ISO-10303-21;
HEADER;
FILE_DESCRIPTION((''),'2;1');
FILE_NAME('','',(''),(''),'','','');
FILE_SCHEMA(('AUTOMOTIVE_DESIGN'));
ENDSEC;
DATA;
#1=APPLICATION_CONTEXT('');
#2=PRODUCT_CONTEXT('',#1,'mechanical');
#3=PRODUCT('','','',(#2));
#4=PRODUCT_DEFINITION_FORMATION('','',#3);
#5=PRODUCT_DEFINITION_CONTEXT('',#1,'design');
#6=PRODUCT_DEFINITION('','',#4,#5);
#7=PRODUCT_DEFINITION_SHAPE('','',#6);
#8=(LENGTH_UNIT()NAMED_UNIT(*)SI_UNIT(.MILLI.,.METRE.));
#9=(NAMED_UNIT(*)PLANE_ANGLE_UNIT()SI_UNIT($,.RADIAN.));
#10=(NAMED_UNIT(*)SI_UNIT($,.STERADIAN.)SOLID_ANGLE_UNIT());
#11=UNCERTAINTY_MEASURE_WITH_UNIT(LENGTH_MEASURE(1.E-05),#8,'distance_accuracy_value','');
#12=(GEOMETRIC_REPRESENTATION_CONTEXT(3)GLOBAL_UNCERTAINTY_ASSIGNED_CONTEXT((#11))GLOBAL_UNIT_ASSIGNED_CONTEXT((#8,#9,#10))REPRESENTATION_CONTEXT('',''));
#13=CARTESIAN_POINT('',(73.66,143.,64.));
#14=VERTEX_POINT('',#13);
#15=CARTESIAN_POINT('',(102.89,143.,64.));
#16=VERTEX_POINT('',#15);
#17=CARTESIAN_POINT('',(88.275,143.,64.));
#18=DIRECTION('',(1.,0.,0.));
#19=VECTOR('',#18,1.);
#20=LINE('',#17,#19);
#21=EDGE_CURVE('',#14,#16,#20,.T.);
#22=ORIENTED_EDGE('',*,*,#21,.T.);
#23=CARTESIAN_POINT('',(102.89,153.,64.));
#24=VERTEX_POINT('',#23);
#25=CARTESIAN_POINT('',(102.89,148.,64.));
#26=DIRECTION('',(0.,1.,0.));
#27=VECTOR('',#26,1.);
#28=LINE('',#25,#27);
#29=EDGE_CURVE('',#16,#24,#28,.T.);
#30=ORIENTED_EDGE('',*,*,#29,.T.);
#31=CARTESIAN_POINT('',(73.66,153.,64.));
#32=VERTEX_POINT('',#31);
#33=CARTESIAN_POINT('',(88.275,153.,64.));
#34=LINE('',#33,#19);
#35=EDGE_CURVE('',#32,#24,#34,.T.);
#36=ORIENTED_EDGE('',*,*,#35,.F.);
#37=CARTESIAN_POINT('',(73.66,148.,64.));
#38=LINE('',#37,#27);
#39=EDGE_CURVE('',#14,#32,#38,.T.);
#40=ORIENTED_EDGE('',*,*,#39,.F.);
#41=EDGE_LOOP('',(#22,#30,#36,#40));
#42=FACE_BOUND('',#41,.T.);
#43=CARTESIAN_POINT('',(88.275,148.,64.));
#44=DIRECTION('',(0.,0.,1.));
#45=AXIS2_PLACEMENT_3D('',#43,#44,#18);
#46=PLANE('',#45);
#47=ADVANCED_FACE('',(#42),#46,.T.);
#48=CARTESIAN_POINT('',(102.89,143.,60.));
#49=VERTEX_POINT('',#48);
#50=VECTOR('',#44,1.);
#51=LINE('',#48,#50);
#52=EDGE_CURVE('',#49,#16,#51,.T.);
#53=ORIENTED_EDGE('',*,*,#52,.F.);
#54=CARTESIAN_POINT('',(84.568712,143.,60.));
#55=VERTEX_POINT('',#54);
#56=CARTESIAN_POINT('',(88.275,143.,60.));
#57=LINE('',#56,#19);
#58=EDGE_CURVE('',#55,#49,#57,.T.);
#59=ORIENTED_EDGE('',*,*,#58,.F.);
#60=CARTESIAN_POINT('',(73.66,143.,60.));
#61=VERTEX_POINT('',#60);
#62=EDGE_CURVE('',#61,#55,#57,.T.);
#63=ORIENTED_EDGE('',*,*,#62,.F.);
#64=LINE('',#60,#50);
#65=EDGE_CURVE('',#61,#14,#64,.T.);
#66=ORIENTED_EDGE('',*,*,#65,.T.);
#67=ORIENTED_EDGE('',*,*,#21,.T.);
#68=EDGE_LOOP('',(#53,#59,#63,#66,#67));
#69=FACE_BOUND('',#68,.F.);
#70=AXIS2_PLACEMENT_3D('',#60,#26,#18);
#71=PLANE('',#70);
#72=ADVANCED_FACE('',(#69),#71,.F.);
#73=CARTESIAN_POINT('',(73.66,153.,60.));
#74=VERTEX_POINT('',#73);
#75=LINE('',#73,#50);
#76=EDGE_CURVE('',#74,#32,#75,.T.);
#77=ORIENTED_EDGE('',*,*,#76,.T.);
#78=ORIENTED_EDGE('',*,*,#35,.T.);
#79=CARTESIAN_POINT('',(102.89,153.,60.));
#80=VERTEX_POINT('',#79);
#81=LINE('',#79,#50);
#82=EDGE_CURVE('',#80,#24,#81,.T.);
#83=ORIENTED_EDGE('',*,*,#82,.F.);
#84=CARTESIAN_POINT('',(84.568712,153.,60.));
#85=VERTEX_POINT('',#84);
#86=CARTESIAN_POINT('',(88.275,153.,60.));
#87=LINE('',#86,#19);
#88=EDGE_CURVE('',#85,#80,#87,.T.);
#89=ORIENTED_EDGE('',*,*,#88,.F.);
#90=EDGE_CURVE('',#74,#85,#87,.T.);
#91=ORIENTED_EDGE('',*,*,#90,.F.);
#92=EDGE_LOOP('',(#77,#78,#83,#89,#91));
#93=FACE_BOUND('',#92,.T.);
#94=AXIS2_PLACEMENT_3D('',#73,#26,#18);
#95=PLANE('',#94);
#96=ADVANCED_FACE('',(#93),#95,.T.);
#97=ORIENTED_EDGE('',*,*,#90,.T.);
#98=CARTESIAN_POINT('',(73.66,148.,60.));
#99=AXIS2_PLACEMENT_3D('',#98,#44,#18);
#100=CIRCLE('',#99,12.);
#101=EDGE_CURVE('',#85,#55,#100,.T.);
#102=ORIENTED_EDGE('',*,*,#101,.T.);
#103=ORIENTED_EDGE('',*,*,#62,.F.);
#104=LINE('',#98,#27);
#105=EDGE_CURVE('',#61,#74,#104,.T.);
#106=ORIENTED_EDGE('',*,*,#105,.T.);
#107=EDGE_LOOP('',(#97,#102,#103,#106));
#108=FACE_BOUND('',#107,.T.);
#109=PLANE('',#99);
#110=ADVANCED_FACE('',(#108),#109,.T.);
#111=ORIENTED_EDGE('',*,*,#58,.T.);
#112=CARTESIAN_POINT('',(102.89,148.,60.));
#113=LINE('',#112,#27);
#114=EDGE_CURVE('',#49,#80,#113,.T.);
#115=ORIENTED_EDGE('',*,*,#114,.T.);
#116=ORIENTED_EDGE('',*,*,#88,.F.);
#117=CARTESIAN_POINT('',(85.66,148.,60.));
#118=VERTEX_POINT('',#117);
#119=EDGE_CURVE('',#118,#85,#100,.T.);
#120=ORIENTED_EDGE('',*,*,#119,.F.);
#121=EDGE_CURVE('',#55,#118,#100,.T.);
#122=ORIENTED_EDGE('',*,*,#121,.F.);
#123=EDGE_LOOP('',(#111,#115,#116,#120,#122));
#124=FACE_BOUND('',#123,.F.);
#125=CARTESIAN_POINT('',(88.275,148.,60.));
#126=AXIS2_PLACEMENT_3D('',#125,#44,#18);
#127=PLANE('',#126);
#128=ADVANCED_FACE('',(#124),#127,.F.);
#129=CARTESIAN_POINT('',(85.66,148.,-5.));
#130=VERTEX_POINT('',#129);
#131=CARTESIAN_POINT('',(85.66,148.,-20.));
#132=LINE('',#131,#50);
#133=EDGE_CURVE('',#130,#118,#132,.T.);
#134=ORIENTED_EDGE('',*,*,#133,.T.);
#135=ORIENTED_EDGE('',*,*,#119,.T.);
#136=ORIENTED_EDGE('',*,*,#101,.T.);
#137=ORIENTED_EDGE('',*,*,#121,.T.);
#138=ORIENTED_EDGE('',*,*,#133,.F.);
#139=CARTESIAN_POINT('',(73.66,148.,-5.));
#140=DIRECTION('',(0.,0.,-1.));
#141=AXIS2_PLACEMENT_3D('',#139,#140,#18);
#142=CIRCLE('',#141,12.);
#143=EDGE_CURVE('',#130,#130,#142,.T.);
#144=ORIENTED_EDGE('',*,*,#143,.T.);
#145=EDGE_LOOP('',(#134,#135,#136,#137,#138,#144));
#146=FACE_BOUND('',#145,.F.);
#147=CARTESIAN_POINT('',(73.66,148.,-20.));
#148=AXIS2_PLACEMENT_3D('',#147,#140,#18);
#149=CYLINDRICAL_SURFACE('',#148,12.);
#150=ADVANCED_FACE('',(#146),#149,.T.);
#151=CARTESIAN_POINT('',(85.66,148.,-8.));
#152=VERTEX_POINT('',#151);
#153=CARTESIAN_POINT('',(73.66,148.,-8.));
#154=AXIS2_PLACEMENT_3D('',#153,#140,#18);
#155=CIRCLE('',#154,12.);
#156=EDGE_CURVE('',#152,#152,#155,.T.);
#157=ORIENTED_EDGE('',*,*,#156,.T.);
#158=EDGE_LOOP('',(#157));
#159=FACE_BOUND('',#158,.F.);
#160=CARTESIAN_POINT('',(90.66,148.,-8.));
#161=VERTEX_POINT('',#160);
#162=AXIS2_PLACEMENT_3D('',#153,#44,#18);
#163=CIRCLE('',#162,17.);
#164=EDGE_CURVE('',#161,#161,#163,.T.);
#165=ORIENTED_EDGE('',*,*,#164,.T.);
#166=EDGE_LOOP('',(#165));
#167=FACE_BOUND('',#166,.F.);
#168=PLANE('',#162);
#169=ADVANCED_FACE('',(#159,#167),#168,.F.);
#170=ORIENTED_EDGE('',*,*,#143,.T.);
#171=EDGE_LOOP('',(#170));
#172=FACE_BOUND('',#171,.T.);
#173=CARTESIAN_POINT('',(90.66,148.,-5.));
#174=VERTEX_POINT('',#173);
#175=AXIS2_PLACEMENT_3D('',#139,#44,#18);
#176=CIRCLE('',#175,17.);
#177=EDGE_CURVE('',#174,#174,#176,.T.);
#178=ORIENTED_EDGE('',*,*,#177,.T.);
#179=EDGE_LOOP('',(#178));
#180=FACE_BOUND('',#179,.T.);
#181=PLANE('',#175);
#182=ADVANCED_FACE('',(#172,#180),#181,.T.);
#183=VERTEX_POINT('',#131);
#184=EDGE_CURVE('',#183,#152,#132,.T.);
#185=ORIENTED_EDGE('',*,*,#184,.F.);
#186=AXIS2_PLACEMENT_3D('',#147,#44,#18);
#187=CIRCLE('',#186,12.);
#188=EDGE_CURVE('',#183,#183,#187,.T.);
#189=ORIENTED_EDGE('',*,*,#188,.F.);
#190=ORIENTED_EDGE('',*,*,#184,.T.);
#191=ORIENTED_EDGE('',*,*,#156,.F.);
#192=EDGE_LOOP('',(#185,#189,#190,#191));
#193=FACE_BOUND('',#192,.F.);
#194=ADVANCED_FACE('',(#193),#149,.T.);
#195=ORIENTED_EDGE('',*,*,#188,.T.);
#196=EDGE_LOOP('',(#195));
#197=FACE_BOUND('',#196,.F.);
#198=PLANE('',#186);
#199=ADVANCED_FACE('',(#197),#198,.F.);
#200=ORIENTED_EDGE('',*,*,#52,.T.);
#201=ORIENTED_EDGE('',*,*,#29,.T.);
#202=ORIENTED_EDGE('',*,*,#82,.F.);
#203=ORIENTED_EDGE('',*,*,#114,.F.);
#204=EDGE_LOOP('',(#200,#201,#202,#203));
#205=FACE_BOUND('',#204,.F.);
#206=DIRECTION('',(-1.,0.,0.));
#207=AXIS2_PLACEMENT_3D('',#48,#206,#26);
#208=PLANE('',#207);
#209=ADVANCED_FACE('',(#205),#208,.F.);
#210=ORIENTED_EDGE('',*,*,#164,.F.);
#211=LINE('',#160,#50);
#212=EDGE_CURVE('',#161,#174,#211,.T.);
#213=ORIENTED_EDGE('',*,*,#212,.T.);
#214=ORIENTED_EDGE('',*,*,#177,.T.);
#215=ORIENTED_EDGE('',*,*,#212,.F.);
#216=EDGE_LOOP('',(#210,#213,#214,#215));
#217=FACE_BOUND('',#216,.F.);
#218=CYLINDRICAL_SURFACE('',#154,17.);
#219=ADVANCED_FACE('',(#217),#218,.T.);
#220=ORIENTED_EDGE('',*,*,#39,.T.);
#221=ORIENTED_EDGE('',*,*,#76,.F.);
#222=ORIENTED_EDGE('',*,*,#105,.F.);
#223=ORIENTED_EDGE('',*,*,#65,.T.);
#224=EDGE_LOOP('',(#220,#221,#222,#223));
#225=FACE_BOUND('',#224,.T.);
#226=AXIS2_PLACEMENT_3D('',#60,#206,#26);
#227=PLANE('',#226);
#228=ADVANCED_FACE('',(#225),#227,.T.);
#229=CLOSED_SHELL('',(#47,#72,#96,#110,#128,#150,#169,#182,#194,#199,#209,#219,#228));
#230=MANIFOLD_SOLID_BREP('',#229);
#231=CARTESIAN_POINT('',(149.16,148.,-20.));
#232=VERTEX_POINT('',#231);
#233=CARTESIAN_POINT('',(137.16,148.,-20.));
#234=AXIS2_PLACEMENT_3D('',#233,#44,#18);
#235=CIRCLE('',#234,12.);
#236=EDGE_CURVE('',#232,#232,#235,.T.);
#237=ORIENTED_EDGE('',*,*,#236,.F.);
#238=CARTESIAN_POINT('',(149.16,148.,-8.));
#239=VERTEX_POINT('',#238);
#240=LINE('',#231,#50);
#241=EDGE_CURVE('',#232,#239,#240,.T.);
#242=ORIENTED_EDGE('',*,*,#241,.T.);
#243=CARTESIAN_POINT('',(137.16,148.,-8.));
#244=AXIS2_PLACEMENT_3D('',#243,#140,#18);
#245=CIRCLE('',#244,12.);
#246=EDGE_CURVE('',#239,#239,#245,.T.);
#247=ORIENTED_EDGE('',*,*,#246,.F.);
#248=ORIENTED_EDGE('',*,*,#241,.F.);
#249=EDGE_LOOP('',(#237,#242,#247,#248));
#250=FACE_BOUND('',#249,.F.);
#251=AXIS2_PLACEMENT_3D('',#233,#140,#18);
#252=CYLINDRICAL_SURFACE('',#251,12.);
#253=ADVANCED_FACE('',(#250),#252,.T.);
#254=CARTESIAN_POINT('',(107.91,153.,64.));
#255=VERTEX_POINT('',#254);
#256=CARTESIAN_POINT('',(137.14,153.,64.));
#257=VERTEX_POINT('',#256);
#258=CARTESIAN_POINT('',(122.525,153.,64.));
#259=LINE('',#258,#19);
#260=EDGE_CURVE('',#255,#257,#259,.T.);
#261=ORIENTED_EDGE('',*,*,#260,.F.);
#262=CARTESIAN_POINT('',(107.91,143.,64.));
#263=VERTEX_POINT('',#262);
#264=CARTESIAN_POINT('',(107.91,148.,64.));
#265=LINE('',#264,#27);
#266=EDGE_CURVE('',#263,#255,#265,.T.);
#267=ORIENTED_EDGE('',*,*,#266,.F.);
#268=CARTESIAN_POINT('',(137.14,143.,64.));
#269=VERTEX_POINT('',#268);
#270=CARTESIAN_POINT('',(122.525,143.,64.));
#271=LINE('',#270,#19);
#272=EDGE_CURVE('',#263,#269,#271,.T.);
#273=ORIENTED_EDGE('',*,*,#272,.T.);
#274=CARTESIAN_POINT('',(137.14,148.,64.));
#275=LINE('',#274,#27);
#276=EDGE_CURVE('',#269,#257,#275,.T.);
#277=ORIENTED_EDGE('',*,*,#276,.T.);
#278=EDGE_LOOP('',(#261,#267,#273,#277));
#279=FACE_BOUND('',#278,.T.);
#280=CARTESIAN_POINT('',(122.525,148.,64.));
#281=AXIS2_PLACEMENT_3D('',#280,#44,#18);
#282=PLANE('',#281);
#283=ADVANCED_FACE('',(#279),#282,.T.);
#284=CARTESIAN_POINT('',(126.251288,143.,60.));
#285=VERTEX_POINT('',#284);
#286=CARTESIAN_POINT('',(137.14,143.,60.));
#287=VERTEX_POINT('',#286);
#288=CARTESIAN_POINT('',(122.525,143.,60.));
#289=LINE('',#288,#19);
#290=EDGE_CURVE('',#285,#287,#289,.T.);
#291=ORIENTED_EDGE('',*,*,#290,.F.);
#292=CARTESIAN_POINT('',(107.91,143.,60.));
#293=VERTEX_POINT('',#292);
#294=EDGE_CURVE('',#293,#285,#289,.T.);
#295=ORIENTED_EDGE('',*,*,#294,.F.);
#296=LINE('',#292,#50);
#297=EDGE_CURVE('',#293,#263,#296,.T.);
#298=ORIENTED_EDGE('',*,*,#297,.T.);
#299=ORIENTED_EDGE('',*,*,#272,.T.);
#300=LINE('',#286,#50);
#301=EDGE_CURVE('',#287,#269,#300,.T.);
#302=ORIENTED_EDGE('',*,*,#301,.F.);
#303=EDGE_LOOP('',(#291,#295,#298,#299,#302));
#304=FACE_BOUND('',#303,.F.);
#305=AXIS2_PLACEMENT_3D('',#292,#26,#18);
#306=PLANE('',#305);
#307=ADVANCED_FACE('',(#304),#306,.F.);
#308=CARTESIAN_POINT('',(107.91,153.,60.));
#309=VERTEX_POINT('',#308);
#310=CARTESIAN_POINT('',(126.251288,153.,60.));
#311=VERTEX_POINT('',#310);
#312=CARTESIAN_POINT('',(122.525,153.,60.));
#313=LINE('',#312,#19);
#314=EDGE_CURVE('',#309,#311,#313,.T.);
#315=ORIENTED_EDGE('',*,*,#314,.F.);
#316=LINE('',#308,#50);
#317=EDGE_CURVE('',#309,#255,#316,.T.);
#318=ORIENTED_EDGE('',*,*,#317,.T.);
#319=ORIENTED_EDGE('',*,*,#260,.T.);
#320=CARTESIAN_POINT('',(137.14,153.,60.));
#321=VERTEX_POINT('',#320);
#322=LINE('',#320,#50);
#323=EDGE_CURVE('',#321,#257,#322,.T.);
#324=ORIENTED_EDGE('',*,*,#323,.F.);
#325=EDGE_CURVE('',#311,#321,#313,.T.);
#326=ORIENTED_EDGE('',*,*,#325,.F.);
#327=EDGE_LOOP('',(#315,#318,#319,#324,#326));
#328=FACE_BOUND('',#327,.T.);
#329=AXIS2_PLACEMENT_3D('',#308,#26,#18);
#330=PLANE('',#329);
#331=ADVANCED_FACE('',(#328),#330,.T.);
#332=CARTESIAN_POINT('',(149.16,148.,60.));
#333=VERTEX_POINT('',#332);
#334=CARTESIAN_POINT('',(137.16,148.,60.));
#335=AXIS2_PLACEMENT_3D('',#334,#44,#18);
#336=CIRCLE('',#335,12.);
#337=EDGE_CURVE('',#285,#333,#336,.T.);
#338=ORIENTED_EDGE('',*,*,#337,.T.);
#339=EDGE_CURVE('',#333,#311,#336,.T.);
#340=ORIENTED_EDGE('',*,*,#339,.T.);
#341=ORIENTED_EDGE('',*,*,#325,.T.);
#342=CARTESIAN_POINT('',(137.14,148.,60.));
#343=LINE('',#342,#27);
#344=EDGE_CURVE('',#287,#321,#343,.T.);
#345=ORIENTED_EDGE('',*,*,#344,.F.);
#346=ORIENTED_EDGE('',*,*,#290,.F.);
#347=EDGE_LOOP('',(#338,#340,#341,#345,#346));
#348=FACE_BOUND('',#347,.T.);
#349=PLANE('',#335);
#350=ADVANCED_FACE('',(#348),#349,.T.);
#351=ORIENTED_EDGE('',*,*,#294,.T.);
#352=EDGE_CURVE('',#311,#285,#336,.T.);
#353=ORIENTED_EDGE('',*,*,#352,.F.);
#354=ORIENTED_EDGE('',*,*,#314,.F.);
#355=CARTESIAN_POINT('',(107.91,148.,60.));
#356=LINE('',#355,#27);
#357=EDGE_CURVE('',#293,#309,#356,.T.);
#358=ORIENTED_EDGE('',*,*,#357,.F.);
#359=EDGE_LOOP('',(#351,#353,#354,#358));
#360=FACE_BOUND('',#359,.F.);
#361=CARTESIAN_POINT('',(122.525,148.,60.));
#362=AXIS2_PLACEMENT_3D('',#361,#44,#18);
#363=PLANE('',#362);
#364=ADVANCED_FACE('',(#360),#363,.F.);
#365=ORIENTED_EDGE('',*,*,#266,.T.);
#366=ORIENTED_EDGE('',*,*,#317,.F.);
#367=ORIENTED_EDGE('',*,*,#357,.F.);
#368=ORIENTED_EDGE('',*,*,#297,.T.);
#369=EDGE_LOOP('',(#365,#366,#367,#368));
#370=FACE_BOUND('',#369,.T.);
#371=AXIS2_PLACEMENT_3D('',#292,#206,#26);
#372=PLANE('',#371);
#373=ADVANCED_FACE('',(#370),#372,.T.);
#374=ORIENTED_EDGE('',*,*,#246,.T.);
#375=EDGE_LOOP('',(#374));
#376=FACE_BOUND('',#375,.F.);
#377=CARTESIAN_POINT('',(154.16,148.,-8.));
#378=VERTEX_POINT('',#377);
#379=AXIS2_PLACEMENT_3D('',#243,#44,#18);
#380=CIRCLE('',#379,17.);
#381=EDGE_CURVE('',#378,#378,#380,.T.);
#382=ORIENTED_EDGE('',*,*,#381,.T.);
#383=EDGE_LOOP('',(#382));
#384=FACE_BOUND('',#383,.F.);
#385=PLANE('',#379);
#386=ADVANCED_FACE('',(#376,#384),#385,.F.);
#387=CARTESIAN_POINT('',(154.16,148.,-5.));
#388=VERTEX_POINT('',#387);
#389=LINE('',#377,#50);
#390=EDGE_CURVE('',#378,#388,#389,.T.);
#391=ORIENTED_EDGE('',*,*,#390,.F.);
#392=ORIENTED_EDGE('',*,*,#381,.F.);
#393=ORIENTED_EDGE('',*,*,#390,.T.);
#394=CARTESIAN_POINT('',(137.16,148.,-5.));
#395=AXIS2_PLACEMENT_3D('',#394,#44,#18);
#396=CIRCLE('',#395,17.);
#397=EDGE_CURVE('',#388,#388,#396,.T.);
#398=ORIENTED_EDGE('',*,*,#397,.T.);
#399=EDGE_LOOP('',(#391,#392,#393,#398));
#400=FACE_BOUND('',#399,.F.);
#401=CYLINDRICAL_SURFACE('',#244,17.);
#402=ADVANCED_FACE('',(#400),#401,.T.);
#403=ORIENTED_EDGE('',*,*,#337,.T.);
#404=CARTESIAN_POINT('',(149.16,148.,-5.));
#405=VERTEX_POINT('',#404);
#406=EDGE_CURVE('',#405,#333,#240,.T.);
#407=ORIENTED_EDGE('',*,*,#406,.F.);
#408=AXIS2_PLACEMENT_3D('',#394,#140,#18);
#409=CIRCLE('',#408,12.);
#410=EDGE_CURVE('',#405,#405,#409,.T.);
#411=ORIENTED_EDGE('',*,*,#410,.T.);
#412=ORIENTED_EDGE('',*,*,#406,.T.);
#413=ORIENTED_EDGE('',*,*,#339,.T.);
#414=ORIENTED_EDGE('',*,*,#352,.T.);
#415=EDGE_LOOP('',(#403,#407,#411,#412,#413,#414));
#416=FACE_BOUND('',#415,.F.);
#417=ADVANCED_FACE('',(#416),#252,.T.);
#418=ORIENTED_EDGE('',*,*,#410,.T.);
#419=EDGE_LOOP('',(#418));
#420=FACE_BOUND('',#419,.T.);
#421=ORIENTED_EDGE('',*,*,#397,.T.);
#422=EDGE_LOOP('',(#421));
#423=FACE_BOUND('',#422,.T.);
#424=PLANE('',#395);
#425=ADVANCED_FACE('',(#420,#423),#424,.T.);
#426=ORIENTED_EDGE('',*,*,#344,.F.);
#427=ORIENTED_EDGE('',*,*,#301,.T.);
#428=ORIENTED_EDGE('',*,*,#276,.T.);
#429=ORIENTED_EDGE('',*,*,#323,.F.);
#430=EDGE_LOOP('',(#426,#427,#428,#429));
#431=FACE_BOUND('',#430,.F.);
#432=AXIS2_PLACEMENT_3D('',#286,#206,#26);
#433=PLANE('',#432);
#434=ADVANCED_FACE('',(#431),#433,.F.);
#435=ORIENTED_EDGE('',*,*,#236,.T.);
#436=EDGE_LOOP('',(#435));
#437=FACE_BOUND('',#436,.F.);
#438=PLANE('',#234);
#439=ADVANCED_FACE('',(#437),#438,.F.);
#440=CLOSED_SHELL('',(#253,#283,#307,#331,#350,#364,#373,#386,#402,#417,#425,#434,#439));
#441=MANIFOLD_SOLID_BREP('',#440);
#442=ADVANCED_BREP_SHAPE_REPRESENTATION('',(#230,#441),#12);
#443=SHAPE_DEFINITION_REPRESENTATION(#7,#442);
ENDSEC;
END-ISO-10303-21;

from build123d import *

# Parameters (mm, degrees)
CYLINDER100_R     = 17
CYLINDER100_DEPTH = 3
CYLINDER095_R     = 12
CYLINDER095_DEPTH = 80
CYLINDER132_R     = 17
CYLINDER132_DEPTH = 3
CYLINDER131_R     = 12
CYLINDER131_DEPTH = 80
BOX029_W          = 29.23
BOX029_H          = 10
BOX029_DEPTH      = 4
BOX020_W          = 29.23
BOX020_H          = 10
BOX020_DEPTH      = 4


with BuildPart() as ft1flange:
    # Cylinder100 → Cylinder100 (new body)
    with BuildSketch(Plane(origin=(73.66, 148, -8), x_dir=(1, 0, 0), z_dir=(0, 0, 1))):
        Circle(CYLINDER100_R)
    extrude(amount=CYLINDER100_DEPTH)


with BuildPart() as ft1:
    # Cylinder095 → Cylinder095 (new body)
    with BuildSketch(Plane(origin=(73.66, 148, -20), x_dir=(1, 0, 0), z_dir=(0, 0, 1))):
        Circle(CYLINDER095_R)
    extrude(amount=CYLINDER095_DEPTH)

    # Fusion043: union FT1flange
    add(ft1flange.part)


with BuildPart() as ft1flange001:
    # Cylinder132 → Cylinder132 (new body)
    with BuildSketch(Plane(origin=(73.66, 148, -8), x_dir=(1, 0, 0), z_dir=(0, 0, 1))):
        Circle(CYLINDER132_R)
    extrude(amount=CYLINDER132_DEPTH)


with BuildPart() as ft002:
    # Cylinder131 → Cylinder131 (new body)
    with BuildSketch(Plane(origin=(73.66, 148, -20), x_dir=(1, 0, 0), z_dir=(0, 0, 1))):
        Circle(CYLINDER131_R)
    extrude(amount=CYLINDER131_DEPTH)

    # Fusion052: union FT1flange001
    add(ft1flange001.part)


with BuildPart() as ft002_1:
    # Fusion052 placement: moved
    add(ft002.part.moved(Location((63.5, 0, 0))))


with BuildPart() as bowtiebar002:
    # Box029 → Box029 (new body)
    with BuildSketch(Plane(origin=(107.91, 143, 60), x_dir=(1, 0, 0), z_dir=(0, 0, 1))):
        with Locations((14.615, 5)):
            Rectangle(BOX029_W, BOX029_H)
    extrude(amount=BOX029_DEPTH)


with BuildPart() as fusion057:
    # Box020 → Box020 (new body)
    with BuildSketch(Plane(origin=(73.66, 143, 60), x_dir=(1, 0, 0), z_dir=(0, 0, 1))):
        with Locations((14.615, 5)):
            Rectangle(BOX020_W, BOX020_H)
    extrude(amount=BOX020_DEPTH)

    # Fusion057: union FT1, FT002, BowTieBar002
    add(ft1.part)
    add(ft002_1.part)
    add(bowtiebar002.part)


solid = fusion057.part
